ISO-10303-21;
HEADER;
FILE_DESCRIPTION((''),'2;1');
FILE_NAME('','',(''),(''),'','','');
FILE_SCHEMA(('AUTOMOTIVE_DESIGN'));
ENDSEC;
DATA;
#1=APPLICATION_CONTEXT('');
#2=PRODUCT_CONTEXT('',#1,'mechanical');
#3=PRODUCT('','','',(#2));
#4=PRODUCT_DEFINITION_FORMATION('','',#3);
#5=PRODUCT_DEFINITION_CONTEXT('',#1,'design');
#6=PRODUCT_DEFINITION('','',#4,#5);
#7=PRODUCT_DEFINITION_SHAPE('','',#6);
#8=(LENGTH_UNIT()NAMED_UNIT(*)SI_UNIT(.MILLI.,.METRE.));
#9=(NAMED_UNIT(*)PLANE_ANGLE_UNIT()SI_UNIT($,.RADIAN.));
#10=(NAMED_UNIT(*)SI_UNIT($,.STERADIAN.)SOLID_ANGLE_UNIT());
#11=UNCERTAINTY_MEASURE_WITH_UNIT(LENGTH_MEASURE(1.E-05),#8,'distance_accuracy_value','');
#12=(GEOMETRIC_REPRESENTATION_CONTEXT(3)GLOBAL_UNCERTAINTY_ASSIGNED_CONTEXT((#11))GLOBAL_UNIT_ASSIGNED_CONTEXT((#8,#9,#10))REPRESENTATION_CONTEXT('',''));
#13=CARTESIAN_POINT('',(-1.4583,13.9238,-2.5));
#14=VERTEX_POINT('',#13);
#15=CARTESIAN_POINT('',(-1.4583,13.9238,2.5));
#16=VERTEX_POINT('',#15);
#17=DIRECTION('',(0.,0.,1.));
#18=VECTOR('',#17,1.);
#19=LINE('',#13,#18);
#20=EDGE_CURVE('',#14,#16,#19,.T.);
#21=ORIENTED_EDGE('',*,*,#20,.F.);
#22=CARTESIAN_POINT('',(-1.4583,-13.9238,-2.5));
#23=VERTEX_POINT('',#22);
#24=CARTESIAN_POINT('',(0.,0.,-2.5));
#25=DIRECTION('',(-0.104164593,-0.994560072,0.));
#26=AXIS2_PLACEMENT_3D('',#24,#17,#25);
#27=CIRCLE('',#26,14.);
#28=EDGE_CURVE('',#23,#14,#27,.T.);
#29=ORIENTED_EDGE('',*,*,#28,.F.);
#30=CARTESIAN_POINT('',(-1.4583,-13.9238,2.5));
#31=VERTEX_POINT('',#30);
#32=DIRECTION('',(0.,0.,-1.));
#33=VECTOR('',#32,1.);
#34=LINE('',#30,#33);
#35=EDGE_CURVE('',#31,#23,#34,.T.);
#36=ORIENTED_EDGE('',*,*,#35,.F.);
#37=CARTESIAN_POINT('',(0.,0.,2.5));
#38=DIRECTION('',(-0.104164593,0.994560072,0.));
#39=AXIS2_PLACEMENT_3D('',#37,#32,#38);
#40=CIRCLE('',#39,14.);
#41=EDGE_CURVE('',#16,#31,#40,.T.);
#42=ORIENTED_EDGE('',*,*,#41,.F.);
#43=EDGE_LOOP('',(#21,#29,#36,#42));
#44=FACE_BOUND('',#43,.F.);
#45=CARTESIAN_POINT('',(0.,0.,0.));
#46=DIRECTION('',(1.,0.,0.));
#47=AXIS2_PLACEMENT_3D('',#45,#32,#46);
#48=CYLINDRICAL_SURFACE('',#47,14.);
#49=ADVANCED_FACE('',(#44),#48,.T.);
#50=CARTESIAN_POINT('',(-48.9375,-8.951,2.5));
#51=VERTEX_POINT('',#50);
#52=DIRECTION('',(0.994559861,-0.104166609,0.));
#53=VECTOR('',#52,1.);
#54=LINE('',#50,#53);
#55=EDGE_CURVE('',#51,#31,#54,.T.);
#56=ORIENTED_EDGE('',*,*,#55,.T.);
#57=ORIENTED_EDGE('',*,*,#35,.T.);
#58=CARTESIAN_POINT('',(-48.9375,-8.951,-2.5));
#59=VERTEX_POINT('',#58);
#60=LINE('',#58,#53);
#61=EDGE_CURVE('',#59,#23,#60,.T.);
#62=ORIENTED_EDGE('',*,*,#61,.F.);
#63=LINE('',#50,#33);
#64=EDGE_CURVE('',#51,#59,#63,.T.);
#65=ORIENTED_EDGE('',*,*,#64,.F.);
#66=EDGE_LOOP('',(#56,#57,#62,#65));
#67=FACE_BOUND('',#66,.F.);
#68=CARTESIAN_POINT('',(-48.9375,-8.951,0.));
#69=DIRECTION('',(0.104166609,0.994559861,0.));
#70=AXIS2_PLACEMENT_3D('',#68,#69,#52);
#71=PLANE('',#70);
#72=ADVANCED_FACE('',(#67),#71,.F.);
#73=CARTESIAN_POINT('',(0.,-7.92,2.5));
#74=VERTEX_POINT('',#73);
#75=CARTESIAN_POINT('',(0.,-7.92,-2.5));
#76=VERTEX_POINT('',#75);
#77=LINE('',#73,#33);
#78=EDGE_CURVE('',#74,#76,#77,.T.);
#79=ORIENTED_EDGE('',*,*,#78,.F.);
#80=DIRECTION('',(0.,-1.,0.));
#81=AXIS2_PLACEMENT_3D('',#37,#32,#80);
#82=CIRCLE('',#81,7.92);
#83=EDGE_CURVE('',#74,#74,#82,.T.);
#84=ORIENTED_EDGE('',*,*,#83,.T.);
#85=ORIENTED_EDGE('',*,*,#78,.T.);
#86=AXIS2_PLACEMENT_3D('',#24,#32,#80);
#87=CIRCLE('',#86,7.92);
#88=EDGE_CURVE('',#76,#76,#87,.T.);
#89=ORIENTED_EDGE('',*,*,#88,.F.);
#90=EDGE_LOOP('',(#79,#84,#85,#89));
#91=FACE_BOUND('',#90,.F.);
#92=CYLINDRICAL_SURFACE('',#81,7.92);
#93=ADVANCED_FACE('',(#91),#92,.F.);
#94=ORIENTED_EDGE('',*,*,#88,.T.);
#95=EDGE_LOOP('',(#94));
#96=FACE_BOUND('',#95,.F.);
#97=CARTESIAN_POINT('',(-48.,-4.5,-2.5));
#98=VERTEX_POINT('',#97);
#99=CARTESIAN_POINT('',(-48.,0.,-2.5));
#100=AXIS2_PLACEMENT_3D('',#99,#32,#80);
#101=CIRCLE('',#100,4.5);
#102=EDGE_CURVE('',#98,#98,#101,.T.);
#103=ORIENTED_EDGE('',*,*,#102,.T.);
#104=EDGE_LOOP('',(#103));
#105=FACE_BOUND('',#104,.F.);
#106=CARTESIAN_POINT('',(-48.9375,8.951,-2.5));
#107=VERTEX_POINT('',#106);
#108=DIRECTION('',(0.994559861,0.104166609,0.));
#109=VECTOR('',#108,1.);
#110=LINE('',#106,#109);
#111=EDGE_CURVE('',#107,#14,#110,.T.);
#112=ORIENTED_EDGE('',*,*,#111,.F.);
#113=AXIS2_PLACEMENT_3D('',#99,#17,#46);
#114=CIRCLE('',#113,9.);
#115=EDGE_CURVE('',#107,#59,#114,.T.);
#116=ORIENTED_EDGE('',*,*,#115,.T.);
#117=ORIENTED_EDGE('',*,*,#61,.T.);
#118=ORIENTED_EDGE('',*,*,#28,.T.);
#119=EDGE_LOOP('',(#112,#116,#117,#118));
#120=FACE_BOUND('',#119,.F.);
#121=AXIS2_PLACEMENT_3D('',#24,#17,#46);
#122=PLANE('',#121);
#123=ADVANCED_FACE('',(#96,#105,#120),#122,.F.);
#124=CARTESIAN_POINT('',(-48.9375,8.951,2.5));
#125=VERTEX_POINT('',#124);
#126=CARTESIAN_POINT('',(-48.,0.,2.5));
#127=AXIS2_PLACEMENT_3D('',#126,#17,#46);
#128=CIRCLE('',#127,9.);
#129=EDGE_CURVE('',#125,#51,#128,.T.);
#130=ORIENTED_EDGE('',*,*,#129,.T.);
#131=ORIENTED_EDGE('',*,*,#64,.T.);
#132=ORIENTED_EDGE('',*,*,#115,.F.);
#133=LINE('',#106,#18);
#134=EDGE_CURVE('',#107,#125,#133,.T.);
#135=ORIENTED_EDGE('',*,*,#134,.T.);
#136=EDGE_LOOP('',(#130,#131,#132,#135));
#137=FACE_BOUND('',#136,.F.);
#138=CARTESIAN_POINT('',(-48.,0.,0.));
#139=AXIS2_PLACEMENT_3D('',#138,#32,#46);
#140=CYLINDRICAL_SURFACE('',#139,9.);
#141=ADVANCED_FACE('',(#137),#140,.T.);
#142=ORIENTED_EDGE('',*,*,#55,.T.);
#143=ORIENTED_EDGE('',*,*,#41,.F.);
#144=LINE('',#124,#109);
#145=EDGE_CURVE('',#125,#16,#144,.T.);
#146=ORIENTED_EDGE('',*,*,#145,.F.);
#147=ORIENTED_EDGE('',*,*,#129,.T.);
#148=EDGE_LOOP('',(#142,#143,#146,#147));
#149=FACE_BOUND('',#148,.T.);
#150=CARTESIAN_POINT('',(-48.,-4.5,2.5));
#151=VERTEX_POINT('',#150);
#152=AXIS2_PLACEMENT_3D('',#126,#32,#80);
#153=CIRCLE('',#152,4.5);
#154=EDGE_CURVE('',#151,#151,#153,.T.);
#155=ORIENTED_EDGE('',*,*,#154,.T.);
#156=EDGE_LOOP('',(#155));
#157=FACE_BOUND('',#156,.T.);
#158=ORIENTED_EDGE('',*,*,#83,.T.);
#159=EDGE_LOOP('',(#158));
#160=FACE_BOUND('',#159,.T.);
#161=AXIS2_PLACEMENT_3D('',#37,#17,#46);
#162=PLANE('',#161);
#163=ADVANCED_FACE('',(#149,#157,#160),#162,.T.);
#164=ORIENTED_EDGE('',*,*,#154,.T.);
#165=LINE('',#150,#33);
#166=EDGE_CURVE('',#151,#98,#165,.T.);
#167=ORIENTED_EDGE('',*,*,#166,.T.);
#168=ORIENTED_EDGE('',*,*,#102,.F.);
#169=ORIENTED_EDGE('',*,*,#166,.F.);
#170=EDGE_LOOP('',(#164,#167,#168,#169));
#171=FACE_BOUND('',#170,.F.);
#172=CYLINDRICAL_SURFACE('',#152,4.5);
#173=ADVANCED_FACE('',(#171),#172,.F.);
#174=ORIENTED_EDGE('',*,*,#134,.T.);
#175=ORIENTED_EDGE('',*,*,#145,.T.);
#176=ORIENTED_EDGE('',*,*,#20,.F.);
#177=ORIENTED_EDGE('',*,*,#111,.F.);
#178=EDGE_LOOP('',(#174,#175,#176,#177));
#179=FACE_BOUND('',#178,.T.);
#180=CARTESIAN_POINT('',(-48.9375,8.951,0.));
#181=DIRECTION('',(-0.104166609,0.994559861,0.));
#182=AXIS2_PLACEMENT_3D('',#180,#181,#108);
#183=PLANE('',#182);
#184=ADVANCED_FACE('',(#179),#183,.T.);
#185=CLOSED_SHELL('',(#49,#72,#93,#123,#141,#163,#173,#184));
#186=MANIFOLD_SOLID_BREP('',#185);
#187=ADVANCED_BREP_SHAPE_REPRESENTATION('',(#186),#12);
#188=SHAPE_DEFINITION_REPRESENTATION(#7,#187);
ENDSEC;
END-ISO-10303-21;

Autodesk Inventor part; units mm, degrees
ref_plane "YZ Plane" through (0, 0, 0) normal (1, 0, 0) x (0, 1, 0)
ref_plane "XZ Plane" through (0, 0, 0) normal (0, 1, 0) x (-1, 0, 0)
sketch "Sketch1" plane through (0, 0, 0) normal (0, 0, 1) x (1, 0, 0)
  circle A0 centre (0, 0) radius 14
  line L0 (0, 0) -> (-48, 0) construction
  circle A1 centre (-48, 0) radius 9
  line L1 (-48.9375, 8.951) -> (-1.4583, 13.9238)
  line L2 (-48.9375, -8.951) -> (-1.4583, -13.9238)
  dimension "d0" = 18
  dimension "d1" = 28
  dimension "d2" = 48
extrude "Extrusion1" add sketch "Sketch1" along normal mid plane 5
sketch "Sketch2" plane through (0, 0, 2.5) normal (0, 0, 1) x (1, 0, 0)
  arc A0 (-1.4583, -13.9238) -> (-1.4583, 13.9238) centre (0, 0) ccw projected
hole "Hole1" at (0, 0, 2.5) direction (0, 0, -1) diameter 15.84 end through all
sketch "Sketch3" plane through (0, 0, 2.5) normal (0, 0, 1) x (1, 0, 0)
  arc A0 (-48.9375, 8.951) -> (-48.9375, -8.951) centre (-48, 0) ccw projected
hole "Hole2" at (-48, 0, 2.5) direction (0, 0, -1) diameter 9 end through all
properties part number "313-01-03" material "Steel"
